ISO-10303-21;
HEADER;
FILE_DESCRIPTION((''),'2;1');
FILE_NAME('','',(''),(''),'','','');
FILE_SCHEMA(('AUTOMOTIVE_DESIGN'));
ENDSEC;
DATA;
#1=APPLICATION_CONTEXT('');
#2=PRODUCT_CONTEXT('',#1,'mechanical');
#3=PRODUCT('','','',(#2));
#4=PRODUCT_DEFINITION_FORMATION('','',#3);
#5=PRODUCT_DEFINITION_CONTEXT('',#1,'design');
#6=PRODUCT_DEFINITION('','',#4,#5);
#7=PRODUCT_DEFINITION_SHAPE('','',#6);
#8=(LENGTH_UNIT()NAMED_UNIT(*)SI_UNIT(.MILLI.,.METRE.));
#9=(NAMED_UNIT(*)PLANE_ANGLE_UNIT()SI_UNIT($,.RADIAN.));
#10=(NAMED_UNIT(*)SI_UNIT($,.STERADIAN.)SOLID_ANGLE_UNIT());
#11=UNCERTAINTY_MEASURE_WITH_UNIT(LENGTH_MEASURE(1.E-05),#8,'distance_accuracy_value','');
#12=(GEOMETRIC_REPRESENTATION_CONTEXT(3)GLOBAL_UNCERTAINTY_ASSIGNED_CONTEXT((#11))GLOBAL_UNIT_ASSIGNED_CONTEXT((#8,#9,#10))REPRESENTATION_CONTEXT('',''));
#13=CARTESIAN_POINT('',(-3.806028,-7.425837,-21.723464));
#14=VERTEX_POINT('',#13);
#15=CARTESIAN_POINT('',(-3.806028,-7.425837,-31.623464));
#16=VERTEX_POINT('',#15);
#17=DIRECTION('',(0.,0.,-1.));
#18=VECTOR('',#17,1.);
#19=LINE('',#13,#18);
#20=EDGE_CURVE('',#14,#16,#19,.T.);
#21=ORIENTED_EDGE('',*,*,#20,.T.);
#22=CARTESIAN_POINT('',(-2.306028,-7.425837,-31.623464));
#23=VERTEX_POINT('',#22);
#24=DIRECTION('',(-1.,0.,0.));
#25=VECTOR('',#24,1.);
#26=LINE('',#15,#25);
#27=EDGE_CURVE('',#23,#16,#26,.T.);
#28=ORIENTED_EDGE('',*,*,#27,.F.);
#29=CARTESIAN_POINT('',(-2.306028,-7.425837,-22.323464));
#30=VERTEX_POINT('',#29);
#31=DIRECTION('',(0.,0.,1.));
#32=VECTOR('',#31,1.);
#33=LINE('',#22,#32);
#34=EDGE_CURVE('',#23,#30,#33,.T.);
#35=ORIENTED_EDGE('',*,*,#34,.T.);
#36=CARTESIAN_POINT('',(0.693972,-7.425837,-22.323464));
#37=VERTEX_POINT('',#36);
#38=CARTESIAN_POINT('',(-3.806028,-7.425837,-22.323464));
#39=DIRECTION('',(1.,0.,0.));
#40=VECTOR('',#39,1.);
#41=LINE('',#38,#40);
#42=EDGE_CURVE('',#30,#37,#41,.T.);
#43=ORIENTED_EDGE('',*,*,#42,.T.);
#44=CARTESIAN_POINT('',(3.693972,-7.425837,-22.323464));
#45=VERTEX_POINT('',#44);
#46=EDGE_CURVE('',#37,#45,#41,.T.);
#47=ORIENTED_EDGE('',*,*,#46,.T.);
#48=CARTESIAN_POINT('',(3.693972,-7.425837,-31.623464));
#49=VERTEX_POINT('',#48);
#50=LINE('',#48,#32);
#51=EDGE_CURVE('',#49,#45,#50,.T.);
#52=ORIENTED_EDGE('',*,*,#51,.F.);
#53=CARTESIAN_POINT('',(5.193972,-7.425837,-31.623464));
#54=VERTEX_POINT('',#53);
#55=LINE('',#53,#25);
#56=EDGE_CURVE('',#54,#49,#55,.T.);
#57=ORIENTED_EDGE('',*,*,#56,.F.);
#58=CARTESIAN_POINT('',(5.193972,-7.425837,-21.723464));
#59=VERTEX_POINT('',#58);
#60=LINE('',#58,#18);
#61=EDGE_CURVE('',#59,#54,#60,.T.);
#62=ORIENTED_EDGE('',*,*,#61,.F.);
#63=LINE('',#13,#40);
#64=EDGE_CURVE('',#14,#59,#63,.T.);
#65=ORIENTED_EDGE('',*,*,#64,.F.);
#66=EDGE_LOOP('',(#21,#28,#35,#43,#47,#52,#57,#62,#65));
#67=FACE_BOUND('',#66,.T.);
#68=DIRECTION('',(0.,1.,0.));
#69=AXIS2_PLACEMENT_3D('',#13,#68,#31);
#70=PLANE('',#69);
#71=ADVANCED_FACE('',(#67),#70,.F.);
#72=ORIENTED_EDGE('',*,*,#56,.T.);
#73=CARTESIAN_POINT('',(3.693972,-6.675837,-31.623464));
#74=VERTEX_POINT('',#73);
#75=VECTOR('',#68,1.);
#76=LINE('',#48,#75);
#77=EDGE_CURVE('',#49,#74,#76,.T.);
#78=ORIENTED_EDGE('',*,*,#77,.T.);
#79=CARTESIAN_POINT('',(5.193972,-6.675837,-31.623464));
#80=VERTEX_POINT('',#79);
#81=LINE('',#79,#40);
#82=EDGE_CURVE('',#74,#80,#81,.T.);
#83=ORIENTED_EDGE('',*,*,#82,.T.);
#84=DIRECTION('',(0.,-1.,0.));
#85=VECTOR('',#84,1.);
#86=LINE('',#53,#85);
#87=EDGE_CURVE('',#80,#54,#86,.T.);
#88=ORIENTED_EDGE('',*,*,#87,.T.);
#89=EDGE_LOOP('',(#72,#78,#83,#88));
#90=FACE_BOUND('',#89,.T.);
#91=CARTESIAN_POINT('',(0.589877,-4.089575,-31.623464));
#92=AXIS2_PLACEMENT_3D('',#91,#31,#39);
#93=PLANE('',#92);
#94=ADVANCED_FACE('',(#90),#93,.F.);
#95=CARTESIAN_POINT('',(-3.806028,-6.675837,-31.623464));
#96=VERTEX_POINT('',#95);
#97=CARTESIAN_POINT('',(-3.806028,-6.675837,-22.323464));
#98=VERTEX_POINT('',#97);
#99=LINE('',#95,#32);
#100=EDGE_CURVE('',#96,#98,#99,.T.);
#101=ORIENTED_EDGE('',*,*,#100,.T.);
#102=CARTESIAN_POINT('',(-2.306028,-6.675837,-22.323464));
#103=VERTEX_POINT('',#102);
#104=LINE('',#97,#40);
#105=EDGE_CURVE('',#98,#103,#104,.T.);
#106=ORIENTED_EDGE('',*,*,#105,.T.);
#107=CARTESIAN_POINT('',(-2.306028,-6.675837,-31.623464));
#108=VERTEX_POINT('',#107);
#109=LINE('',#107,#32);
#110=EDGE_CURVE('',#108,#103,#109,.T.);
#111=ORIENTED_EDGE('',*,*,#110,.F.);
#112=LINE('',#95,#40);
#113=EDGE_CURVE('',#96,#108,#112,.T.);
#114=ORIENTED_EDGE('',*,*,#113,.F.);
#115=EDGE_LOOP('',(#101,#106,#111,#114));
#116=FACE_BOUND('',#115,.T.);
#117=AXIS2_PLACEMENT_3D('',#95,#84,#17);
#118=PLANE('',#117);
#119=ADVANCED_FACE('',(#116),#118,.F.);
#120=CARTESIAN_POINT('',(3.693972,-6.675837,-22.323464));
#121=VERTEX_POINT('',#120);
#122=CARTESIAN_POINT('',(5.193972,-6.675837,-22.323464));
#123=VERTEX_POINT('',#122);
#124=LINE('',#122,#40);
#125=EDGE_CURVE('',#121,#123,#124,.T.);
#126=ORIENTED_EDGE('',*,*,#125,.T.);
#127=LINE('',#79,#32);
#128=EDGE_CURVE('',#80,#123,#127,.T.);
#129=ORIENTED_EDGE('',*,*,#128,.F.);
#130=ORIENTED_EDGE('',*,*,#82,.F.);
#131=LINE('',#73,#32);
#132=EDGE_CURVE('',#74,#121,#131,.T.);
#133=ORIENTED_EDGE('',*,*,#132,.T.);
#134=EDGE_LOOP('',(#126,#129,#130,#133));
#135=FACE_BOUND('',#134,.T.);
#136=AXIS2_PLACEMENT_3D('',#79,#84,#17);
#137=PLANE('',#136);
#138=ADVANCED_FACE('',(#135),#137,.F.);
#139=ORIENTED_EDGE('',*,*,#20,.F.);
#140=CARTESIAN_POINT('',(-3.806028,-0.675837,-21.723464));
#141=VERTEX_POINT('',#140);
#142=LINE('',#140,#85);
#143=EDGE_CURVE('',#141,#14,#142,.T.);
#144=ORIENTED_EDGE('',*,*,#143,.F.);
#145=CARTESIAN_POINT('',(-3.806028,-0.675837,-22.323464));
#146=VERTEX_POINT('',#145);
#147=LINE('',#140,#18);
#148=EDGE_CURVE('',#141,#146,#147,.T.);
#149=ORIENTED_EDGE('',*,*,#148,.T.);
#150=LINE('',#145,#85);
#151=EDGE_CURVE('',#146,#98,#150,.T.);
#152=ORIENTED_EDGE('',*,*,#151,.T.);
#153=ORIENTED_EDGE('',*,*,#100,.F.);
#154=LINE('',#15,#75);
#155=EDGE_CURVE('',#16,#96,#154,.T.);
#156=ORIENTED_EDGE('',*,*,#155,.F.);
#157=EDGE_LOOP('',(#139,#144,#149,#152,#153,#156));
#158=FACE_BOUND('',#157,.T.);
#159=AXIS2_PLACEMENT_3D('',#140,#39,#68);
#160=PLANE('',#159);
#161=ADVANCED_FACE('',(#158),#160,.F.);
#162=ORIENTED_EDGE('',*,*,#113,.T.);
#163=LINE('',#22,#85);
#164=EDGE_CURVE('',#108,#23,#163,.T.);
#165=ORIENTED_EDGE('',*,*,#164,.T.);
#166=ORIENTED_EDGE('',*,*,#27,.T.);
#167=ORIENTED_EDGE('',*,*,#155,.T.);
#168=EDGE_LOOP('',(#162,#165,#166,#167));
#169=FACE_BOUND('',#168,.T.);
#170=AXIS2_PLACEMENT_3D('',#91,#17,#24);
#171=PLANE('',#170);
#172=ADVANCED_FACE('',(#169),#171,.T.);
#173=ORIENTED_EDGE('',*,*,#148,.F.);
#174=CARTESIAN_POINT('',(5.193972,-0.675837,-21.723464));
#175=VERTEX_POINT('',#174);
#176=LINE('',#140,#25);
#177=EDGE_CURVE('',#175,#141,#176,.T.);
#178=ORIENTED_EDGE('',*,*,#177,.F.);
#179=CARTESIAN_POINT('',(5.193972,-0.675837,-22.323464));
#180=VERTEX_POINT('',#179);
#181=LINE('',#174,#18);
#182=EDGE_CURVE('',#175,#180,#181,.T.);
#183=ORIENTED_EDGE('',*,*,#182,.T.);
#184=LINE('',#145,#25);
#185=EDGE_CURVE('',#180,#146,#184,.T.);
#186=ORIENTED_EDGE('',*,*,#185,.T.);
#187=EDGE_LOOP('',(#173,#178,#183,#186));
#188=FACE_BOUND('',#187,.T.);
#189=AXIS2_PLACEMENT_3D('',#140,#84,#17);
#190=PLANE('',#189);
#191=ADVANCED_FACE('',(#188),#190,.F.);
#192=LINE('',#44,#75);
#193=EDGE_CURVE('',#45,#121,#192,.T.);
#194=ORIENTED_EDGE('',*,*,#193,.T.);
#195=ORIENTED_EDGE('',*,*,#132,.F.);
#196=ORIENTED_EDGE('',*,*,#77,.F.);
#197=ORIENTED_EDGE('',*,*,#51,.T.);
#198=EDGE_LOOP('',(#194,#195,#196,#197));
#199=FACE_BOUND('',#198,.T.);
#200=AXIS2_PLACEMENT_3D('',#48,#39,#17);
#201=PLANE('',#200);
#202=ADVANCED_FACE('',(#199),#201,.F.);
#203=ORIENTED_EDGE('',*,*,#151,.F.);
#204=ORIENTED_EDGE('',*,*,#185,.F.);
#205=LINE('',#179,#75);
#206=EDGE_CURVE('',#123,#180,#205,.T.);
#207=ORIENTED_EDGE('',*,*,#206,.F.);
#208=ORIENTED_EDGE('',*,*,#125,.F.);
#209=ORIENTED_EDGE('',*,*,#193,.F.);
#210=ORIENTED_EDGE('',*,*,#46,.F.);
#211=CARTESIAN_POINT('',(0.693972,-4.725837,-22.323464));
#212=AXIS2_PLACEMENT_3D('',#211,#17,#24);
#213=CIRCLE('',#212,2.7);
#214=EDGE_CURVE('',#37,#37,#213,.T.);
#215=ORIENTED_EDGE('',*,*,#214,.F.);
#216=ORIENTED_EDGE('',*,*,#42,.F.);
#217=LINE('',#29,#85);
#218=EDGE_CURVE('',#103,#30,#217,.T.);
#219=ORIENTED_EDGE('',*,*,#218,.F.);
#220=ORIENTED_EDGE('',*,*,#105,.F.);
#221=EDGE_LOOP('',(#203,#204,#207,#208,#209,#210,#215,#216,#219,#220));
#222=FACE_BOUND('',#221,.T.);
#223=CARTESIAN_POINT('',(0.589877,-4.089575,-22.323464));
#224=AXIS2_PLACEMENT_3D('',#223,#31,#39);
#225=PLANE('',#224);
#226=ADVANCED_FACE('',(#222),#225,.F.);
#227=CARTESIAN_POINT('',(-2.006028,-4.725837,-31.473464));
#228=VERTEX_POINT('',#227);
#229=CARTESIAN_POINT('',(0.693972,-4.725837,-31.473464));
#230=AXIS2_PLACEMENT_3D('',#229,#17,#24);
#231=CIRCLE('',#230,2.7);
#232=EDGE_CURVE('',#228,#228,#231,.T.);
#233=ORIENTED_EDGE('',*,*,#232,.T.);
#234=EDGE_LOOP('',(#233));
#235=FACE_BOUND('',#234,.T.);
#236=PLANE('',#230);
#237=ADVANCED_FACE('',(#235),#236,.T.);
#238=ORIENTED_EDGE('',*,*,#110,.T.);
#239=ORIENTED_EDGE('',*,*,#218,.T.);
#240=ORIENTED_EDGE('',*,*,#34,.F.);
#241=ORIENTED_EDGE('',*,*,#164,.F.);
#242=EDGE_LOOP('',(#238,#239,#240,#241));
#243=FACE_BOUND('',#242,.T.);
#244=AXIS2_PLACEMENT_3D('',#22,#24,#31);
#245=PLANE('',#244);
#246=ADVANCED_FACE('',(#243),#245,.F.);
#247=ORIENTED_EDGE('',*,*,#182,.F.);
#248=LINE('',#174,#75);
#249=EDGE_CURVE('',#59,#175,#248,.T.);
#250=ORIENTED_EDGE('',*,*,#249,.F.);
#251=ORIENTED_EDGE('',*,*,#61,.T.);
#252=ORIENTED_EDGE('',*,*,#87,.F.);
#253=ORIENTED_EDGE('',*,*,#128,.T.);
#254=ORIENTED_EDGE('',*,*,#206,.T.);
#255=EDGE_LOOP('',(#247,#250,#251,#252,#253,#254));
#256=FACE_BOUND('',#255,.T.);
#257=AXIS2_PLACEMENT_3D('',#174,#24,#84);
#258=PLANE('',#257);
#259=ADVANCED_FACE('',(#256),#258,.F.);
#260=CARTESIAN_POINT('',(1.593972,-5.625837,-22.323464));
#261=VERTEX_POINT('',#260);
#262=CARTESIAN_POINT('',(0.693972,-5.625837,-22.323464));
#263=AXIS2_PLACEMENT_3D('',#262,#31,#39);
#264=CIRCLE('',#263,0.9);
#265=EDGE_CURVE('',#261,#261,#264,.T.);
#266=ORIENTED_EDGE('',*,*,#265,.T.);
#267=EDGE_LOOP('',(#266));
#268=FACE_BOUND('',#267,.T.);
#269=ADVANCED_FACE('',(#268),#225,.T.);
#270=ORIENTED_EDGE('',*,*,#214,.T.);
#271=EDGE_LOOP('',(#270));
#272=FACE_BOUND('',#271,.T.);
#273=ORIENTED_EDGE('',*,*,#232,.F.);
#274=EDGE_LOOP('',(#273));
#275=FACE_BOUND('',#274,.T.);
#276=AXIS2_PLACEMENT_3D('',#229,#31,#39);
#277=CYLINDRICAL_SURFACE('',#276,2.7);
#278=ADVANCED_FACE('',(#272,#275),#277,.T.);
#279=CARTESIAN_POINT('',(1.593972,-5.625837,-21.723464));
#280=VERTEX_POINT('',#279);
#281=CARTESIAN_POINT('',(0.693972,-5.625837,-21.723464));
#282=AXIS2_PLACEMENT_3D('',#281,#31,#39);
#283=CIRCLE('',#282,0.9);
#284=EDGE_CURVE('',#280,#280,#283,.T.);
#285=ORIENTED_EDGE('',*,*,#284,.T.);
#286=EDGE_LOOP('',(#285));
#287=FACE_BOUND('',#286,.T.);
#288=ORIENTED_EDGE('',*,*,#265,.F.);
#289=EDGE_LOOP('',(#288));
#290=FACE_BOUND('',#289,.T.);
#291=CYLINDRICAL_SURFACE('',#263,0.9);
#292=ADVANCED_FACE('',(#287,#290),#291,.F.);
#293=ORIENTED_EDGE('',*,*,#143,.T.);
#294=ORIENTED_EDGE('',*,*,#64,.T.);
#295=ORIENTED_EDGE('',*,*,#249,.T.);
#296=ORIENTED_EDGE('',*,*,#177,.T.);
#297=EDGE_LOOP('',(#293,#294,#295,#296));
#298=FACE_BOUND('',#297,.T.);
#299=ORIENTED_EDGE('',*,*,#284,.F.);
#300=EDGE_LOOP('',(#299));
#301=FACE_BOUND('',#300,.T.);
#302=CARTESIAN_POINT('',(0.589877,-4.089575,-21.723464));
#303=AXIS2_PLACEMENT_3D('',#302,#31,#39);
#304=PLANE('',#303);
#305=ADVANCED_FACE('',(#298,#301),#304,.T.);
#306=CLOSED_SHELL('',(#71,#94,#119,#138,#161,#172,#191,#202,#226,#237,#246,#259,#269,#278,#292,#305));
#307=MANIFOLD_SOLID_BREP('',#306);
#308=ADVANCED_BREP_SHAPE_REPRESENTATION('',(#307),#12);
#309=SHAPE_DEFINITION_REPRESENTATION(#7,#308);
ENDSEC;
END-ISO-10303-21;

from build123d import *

# Parameters (mm, degrees)
SKETCH1_W           = 60
SKETCH1_H           = 45
BOSS_EXTRUDE1_DEPTH = 4
SKETCH2_W           = 10
SKETCH2_H           = 5
BOSS_EXTRUDE3_DEPTH = 62
SKETCH3_R           = 18
BOSS_EXTRUDE4_DEPTH = 61
SKETCH4_R           = 6
CUT_EXTRUDE1_DEPTH  = 4
SCALE1_SCALE        = 0.15


with BuildPart() as part:
    # Sketch1 → Boss-Extrude1 (new body)
    with BuildSketch(Plane.XY):
        with Locations((0.693972483, 0.258252113)):
            Rectangle(SKETCH1_W, SKETCH1_H)
    extrude(amount=BOSS_EXTRUDE1_DEPTH)

    # Sketch2 → Boss-Extrude3 (add)
    with BuildSketch(Plane(origin=(0, 0, 0), x_dir=(-1, 0, 0), z_dir=(0, 0, -1))):
        with Locations((-25.693972483, -19.741747887)):
            Rectangle(SKETCH2_W, SKETCH2_H)
        with Locations((24.306027517, -19.741747887)):
            Rectangle(SKETCH2_W, SKETCH2_H)
    extrude(amount=BOSS_EXTRUDE3_DEPTH)

    # Sketch3 → Boss-Extrude4 (add)
    with BuildSketch(Plane(origin=(0, 0, 0), x_dir=(-1, 0, 0), z_dir=(0, 0, -1))):
        with Locations(Location((-0.693972483, -4.241747887, 0), (0, 0, 270))):
            Circle(SKETCH3_R)
    extrude(amount=BOSS_EXTRUDE4_DEPTH)

    # Sketch4 → Cut-Extrude1 (cut)
    with BuildSketch(Plane.XY.offset(4)):
        with Locations((0.693972483, -10.241747887)):
            Circle(SKETCH4_R)
    extrude(amount=-CUT_EXTRUDE1_DEPTH, mode=Mode.SUBTRACT)


with BuildPart() as part_1:
    # Scale1: scaled about (0.693972483, -4.811264364, -26.262899062)
    add(part.part.scale(SCALE1_SCALE).moved(Location((0.589876611, -4.089574709, -22.323464203))))


solid = part_1.part
